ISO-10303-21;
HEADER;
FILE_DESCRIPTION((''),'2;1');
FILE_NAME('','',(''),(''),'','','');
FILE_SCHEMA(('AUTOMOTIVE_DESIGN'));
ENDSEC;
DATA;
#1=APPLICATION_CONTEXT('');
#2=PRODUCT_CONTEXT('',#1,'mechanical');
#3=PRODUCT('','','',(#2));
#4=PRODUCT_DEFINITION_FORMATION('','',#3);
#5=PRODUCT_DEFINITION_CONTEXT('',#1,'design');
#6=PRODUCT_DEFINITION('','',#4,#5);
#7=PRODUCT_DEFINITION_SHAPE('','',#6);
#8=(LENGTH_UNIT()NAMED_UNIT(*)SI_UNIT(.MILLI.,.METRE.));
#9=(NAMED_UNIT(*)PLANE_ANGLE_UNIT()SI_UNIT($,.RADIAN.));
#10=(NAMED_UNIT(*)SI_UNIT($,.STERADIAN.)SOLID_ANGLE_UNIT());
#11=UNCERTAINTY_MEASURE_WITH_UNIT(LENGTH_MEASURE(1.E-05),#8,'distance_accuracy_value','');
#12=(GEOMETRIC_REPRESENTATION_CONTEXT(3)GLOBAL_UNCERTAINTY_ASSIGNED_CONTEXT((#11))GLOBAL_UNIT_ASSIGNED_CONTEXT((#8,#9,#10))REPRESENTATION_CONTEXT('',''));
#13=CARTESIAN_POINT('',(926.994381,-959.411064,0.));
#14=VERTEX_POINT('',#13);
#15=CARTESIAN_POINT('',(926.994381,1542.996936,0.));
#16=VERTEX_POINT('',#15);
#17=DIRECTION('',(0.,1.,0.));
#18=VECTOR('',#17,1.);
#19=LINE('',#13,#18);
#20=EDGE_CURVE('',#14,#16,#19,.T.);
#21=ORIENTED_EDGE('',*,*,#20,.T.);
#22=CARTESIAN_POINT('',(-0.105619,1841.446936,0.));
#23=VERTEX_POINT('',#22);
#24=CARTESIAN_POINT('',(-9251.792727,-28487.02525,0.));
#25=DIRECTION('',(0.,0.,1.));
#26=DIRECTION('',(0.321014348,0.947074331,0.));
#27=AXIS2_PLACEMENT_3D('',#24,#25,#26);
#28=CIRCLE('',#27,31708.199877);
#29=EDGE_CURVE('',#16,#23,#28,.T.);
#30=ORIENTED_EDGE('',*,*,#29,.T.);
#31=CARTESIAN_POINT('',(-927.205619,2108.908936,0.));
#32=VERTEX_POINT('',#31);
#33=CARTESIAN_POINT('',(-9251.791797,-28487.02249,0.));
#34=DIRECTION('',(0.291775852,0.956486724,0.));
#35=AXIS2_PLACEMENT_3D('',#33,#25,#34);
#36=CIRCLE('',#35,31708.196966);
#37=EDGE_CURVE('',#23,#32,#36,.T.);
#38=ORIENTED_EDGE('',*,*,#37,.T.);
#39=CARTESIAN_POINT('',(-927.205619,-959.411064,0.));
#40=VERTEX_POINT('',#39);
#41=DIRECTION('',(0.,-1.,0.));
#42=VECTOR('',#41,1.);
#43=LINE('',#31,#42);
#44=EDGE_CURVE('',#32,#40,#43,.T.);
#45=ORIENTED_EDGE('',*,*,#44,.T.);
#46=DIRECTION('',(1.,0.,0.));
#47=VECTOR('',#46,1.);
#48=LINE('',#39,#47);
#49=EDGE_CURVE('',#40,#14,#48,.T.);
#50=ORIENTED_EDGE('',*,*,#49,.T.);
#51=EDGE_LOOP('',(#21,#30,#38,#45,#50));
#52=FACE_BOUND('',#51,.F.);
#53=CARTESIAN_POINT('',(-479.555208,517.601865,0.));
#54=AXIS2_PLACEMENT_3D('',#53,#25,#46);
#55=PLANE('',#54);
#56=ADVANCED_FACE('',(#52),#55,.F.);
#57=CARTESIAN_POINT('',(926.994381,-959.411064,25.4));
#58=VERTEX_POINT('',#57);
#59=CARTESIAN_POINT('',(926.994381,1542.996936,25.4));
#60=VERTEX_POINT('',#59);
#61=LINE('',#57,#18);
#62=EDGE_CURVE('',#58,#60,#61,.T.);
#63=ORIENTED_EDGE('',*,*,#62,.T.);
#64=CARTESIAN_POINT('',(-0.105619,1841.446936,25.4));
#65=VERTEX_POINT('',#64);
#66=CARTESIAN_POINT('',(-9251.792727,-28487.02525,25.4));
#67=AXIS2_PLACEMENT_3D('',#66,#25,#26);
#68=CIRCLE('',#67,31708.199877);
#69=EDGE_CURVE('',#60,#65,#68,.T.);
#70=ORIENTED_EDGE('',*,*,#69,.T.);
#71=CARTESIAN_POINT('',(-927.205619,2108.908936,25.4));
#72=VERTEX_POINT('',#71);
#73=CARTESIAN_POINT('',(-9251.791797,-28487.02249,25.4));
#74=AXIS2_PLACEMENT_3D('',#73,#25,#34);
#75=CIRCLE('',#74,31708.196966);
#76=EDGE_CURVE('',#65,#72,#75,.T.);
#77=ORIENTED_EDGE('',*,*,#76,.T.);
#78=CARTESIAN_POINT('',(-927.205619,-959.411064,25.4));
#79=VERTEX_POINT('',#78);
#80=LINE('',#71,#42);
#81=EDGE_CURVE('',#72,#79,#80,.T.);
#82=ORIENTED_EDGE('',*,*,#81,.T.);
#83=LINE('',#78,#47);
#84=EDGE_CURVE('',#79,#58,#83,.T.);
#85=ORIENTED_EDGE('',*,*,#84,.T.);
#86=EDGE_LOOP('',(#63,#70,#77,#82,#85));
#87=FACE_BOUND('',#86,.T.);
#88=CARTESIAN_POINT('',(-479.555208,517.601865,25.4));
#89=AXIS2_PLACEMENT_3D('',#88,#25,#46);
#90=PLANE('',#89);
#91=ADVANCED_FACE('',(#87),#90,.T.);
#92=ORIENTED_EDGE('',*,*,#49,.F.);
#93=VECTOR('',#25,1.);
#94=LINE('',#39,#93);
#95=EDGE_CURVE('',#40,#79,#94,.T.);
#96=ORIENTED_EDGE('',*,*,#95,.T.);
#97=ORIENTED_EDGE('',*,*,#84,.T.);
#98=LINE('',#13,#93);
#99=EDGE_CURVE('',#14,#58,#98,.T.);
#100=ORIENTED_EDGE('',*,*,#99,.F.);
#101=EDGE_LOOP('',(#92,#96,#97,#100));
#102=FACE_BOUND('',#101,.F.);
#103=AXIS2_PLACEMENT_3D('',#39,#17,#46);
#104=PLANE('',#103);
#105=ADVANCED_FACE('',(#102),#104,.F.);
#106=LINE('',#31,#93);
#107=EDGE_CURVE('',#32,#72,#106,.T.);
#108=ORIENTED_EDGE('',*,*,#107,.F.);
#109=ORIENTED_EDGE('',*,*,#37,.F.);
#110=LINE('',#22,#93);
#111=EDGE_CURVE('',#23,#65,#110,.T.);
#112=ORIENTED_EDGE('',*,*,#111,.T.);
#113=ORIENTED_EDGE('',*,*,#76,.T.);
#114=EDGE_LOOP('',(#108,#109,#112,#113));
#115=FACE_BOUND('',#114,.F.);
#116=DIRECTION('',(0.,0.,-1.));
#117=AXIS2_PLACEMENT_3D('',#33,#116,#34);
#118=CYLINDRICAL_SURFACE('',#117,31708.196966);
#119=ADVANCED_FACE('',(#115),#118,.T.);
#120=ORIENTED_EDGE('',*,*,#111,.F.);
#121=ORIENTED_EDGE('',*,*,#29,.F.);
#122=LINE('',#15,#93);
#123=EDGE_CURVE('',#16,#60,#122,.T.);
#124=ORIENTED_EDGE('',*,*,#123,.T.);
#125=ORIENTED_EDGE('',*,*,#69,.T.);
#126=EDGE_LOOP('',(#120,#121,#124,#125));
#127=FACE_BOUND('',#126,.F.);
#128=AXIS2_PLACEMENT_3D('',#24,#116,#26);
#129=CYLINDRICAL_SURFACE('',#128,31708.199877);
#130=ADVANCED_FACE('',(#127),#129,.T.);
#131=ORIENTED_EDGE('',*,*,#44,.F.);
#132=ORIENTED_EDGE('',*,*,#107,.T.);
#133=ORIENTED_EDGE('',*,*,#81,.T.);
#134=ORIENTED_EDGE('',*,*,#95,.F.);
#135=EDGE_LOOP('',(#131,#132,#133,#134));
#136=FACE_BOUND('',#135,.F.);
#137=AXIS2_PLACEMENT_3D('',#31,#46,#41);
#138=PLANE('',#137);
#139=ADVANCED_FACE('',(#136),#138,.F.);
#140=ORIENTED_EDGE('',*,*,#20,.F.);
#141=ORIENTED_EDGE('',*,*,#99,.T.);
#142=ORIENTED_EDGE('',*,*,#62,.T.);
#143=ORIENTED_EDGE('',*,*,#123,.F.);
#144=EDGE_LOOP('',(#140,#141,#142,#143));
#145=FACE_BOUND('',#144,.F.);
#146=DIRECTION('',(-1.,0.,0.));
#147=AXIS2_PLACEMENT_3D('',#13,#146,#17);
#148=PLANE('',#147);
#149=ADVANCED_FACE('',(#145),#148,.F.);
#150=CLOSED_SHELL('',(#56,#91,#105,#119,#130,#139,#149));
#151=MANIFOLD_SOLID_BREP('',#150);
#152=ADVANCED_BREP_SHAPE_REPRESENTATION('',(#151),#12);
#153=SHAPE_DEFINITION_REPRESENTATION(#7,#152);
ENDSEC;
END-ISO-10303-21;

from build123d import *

# Parameters (mm, degrees)
F1_DEPTH = 25.4


with BuildPart() as f1:
    # F0 (on Top) → F1 (new body)
    with BuildSketch(Plane.XY):
        with BuildLine():
            Line((-927.205619, 2108.908936), (-927.205619, -959.411064))
            Line((-927.205619, -959.411064), (-0.105619, -959.411064))
            Line((-0.105619, -959.411064), (-0.105619, 1841.446936))
            ThreePointArc((-0.105619, 1841.446936), (-462.638171, 1978.704703), (-927.205619, 2108.908936))
        make_face()
        with BuildLine():
            Line((-0.105619, 1841.446936), (-0.105619, -959.411064))
            Line((-0.105619, -959.411064), (926.994381, -959.411064))
            Line((926.994381, -959.411064), (926.994381, 1542.996936))
            ThreePointArc((926.994381, 1542.996936), (464.590354, 1695.781765), (-0.105619, 1841.446936))
        make_face()
    extrude(amount=F1_DEPTH)


solid = f1.part
